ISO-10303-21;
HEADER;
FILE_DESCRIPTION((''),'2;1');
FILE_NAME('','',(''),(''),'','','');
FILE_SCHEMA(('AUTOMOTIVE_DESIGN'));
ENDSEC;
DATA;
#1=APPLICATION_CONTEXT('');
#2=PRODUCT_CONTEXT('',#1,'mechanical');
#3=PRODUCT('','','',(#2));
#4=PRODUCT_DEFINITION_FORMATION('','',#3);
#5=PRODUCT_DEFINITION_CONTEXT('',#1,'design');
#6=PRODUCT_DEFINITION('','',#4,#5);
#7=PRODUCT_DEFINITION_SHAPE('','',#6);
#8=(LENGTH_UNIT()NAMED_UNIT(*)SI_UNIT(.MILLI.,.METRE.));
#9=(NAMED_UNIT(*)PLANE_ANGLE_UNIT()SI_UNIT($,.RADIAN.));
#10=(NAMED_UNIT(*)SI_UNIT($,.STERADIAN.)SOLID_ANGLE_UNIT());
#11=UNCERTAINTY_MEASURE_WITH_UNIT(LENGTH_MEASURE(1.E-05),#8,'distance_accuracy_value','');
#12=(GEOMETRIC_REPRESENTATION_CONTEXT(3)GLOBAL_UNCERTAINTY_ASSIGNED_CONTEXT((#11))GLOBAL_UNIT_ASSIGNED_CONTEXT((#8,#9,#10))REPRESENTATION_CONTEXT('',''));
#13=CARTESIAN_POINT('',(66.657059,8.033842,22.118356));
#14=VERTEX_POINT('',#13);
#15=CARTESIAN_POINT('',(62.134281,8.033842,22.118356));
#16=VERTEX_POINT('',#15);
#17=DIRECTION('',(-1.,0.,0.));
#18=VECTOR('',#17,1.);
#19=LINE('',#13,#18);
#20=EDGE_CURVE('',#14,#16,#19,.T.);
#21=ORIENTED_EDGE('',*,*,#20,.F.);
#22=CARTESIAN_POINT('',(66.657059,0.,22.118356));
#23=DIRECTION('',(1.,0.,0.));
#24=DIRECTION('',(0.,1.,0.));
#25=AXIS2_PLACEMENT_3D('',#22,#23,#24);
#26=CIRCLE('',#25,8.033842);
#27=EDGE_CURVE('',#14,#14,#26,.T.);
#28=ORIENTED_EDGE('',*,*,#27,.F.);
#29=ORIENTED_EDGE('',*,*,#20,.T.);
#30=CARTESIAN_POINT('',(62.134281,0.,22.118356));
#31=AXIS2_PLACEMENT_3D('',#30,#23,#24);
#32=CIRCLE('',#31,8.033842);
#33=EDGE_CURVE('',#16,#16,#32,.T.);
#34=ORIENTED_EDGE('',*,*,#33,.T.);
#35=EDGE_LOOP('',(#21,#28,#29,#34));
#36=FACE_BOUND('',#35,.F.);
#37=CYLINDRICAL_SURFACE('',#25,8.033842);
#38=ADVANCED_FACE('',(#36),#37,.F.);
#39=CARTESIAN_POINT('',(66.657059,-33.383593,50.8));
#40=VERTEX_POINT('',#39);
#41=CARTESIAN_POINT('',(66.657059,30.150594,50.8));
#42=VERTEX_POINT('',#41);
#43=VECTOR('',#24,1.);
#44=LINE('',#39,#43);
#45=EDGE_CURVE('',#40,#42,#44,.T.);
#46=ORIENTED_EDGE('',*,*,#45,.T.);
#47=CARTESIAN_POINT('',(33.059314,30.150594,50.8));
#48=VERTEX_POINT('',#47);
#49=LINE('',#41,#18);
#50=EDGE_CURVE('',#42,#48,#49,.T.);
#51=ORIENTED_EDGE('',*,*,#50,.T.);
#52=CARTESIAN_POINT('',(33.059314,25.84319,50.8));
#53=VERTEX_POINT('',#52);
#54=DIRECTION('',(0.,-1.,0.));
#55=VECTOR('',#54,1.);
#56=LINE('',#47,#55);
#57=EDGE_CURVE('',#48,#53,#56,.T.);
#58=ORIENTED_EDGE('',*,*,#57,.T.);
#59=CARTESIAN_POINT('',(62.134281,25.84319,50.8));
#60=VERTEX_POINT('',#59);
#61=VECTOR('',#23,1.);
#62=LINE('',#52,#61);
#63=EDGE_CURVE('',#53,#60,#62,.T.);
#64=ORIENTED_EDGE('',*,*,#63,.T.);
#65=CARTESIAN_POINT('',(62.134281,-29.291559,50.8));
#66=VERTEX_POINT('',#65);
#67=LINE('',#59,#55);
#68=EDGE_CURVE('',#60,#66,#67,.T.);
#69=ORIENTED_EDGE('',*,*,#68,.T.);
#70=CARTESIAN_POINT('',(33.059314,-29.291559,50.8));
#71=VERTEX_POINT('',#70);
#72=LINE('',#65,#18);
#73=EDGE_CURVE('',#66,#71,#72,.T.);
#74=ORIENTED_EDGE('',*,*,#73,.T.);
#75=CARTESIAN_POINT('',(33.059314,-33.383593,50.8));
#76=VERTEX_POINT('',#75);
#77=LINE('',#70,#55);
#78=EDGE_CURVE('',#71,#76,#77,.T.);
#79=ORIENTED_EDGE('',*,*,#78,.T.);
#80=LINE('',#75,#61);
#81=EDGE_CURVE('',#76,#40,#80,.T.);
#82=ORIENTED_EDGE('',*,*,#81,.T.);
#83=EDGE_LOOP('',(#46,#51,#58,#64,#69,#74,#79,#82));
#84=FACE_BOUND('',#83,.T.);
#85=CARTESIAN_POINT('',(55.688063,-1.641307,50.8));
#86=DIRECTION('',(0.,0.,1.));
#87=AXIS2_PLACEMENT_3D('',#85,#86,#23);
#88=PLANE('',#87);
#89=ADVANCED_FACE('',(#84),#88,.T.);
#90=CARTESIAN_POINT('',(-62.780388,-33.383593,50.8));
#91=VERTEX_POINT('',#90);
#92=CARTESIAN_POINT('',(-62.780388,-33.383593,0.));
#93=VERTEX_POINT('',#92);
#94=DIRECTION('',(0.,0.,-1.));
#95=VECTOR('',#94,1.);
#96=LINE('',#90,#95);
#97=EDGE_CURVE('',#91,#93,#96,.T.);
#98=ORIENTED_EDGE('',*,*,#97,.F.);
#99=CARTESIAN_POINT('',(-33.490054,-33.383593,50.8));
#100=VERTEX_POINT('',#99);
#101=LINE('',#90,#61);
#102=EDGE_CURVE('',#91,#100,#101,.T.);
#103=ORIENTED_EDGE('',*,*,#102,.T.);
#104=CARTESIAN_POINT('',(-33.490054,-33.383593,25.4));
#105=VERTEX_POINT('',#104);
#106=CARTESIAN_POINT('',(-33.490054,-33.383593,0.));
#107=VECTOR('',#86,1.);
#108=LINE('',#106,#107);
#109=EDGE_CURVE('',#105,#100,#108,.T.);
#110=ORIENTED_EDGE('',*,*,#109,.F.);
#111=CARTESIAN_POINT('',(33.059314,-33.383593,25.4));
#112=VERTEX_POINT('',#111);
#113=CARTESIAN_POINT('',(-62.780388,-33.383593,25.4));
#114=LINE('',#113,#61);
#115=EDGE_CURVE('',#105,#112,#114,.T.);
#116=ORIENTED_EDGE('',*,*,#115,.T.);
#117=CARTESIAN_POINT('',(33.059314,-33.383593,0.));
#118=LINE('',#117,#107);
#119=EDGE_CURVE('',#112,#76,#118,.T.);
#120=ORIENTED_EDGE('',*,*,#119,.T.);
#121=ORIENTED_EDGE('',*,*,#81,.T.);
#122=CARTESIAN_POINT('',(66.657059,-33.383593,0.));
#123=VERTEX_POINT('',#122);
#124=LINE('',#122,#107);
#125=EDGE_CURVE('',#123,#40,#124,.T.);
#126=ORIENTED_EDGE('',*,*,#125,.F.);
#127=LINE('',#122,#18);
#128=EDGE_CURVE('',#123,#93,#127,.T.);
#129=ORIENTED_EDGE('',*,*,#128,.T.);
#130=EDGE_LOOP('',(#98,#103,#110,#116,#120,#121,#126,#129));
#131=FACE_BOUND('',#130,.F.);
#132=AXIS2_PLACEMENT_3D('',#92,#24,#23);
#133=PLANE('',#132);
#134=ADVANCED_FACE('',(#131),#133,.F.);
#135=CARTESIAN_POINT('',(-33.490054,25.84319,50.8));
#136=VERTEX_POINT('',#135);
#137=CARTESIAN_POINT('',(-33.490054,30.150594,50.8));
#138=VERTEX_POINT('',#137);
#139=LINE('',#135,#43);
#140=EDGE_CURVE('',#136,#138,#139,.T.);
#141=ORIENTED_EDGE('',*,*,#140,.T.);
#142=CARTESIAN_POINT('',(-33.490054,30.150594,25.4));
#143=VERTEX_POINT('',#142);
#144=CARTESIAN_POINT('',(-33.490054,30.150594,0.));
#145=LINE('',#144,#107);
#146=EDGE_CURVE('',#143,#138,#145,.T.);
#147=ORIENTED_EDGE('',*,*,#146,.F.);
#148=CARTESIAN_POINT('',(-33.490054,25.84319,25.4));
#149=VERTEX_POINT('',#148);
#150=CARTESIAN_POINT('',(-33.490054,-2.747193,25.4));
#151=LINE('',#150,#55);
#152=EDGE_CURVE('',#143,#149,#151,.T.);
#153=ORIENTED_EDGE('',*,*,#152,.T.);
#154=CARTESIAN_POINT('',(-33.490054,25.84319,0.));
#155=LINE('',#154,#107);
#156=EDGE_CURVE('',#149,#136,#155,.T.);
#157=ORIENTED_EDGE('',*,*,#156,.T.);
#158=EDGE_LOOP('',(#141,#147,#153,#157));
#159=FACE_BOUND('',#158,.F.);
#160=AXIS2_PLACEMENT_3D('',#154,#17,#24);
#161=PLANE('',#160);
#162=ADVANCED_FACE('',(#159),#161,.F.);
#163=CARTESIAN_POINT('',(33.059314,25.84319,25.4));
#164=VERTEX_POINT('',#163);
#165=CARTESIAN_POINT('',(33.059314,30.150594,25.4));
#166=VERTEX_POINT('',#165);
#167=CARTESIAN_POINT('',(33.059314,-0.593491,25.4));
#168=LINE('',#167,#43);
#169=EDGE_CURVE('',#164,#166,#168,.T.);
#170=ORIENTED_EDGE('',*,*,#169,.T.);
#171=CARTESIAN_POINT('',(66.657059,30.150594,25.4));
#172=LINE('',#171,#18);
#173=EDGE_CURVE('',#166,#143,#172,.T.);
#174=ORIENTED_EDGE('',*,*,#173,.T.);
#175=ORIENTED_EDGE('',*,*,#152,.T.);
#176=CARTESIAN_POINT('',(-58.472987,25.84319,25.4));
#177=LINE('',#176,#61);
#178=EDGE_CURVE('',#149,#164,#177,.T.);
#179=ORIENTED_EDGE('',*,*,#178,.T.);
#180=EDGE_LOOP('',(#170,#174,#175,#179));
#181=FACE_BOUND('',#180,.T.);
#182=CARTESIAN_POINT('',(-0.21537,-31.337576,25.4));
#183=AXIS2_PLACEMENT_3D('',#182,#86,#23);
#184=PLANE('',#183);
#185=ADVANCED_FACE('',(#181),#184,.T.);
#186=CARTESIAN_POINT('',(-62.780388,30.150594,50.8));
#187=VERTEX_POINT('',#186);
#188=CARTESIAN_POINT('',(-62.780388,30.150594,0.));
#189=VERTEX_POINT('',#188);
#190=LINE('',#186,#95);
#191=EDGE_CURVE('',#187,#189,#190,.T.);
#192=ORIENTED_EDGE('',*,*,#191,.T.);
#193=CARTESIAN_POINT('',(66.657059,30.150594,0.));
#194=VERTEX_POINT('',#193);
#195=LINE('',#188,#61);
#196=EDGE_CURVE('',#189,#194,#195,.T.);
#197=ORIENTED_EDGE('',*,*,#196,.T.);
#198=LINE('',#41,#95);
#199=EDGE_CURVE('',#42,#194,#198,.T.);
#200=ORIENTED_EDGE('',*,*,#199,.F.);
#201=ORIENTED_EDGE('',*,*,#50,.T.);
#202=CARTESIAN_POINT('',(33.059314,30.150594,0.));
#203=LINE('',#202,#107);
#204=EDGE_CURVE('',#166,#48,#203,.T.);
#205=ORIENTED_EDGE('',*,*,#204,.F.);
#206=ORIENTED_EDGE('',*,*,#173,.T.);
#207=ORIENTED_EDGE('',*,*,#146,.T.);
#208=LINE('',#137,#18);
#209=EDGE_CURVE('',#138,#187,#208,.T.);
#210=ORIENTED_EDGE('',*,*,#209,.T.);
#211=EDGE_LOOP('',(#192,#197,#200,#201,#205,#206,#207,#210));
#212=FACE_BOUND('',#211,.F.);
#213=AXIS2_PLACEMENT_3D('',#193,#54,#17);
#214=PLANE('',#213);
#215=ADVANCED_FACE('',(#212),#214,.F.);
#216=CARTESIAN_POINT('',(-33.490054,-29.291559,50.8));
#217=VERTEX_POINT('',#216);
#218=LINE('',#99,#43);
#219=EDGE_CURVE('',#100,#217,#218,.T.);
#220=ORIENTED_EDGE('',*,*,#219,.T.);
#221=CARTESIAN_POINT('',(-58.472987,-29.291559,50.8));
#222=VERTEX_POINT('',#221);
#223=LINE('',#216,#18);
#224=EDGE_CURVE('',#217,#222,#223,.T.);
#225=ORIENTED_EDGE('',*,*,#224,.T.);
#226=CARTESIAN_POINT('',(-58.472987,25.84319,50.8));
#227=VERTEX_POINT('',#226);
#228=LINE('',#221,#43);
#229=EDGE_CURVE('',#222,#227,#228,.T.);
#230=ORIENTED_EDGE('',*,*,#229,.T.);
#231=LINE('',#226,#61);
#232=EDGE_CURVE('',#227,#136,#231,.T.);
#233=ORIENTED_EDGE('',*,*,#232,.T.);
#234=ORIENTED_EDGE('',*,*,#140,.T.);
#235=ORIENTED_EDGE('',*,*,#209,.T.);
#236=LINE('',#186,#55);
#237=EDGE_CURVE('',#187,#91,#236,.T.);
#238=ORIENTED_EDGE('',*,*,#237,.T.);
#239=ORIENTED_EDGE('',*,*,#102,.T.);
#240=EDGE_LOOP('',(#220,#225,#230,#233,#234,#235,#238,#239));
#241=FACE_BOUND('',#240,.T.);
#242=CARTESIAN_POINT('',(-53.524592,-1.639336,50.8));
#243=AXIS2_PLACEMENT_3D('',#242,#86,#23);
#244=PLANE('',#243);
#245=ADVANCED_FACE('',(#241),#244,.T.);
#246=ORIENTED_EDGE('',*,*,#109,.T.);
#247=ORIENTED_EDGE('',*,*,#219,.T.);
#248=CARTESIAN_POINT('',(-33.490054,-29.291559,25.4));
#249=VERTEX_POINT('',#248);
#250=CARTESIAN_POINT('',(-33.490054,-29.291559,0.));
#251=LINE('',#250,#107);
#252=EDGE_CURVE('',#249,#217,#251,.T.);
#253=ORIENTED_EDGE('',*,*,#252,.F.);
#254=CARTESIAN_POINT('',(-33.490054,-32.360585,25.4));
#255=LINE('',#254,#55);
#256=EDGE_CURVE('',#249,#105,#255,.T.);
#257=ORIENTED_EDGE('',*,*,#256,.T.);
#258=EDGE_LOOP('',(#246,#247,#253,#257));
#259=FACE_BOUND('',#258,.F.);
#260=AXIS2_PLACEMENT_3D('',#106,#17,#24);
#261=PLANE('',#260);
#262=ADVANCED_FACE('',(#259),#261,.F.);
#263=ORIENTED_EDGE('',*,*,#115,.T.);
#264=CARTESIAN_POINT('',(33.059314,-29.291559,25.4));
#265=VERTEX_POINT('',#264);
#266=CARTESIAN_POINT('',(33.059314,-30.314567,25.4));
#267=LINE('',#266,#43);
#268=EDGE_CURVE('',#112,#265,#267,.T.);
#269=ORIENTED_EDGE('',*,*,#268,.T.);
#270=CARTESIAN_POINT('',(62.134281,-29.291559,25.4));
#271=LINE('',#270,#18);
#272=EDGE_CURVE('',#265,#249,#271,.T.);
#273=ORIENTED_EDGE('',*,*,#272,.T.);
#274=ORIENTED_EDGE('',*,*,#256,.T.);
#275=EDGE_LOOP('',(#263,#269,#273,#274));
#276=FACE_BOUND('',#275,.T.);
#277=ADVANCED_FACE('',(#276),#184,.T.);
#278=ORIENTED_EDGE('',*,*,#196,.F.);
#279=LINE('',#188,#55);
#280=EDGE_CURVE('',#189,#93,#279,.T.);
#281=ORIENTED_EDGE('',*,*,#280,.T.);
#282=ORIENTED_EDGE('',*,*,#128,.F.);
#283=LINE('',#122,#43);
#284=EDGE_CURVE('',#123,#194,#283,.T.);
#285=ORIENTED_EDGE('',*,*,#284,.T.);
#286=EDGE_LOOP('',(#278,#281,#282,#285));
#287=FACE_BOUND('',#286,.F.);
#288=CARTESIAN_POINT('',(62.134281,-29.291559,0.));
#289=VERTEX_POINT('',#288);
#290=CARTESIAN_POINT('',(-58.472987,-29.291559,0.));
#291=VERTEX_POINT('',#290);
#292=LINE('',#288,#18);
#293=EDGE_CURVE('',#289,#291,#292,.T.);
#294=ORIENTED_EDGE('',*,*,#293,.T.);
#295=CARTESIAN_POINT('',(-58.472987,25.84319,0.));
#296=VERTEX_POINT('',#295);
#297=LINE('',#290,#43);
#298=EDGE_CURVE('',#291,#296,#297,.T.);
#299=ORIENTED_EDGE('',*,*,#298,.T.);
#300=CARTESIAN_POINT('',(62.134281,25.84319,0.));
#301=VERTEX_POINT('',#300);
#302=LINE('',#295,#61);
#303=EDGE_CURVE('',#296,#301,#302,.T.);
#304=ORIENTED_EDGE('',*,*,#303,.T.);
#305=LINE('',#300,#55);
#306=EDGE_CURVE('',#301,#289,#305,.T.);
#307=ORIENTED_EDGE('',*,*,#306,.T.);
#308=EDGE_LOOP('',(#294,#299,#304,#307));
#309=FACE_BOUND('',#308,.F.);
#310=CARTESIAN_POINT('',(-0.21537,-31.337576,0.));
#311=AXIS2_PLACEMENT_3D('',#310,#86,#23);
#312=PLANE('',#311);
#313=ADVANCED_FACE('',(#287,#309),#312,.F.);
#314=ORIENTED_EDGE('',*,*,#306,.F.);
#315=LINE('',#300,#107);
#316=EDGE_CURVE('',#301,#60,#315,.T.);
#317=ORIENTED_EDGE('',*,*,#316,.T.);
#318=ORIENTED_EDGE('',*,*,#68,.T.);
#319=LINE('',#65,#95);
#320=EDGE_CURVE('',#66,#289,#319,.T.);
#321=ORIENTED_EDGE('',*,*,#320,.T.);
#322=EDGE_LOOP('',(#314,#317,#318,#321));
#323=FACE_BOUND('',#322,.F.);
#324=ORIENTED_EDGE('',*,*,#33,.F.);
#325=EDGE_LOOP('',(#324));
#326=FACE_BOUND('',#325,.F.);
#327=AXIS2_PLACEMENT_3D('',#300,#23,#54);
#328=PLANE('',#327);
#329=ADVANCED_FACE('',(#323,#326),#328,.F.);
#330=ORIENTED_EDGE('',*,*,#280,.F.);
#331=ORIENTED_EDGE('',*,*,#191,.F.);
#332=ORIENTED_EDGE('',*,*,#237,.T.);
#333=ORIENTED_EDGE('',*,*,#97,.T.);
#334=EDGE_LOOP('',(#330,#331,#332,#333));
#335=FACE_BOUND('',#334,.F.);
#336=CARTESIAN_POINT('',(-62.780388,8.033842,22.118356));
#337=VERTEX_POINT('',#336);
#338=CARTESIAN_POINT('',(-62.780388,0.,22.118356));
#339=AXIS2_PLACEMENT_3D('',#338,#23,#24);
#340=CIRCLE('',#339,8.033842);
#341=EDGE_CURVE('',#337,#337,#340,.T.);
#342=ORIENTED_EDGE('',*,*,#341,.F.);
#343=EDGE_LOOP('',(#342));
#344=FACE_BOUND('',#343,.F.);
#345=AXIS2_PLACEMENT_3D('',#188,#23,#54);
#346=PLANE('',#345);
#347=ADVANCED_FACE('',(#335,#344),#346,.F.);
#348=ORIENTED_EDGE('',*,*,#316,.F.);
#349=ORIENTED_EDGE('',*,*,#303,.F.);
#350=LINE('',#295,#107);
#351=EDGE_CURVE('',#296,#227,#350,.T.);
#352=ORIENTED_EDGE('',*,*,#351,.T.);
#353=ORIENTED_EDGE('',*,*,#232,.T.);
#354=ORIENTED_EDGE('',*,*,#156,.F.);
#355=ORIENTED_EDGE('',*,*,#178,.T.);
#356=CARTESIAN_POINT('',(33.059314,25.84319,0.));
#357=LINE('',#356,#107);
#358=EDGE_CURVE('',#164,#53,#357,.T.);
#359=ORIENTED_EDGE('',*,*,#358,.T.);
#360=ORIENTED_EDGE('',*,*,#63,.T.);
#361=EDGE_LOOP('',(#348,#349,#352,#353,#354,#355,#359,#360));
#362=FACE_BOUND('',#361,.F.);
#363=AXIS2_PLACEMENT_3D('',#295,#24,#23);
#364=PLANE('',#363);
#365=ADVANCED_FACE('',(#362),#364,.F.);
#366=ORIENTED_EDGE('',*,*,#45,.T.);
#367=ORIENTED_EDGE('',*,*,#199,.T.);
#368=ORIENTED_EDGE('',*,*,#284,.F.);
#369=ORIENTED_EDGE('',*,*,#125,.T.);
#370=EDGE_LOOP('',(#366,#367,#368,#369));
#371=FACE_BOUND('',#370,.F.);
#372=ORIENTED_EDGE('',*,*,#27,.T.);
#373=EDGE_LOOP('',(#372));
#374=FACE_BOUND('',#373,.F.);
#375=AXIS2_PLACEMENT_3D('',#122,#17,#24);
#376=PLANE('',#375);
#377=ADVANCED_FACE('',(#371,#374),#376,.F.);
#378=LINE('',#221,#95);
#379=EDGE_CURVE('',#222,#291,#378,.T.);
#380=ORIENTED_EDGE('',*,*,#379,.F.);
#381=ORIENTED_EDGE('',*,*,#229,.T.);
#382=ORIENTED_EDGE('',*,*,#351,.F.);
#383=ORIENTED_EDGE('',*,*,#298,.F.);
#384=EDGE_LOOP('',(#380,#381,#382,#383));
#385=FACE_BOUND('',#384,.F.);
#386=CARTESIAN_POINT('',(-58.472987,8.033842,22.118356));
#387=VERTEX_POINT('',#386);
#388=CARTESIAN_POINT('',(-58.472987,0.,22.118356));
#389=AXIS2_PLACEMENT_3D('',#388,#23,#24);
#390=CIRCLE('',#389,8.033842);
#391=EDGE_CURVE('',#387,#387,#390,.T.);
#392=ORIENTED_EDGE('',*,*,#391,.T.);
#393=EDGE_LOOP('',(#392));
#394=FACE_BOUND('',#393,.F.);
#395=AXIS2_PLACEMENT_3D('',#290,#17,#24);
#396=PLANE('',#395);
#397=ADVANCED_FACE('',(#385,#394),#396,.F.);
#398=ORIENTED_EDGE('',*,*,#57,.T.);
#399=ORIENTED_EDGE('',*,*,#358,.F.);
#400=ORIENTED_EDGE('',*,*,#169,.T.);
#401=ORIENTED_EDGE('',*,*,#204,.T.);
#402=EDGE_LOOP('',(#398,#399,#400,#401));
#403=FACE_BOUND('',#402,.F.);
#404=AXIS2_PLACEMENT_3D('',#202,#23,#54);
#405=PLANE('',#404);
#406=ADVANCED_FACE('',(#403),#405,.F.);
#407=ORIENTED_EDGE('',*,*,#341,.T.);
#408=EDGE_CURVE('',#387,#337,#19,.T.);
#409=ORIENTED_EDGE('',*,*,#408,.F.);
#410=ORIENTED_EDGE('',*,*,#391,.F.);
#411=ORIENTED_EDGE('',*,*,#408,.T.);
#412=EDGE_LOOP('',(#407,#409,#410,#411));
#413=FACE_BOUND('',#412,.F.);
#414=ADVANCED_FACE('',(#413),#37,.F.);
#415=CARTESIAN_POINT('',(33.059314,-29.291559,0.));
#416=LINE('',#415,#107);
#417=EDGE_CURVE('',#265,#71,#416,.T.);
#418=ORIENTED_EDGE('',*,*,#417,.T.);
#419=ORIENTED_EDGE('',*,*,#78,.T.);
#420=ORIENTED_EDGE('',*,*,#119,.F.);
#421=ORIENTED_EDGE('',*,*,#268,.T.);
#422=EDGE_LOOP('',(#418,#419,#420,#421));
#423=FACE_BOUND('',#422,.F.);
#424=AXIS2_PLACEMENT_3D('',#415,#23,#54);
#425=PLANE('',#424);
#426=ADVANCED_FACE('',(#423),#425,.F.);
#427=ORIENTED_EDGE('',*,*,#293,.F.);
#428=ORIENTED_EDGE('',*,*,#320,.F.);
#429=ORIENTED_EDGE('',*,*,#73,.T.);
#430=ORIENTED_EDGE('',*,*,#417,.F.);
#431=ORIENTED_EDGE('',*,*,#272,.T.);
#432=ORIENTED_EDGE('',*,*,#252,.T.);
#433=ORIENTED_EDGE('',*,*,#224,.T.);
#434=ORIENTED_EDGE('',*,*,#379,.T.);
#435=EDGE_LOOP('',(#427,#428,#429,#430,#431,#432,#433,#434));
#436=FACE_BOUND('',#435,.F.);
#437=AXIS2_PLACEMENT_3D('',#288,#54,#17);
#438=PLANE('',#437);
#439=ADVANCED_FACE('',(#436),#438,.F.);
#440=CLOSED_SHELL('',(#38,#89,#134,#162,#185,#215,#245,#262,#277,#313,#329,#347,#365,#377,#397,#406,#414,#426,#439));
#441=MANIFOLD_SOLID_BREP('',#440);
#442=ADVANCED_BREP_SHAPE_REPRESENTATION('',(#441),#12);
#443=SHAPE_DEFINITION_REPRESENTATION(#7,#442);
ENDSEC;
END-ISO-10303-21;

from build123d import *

# Parameters (mm, degrees)
F0_W     = 66.549368
F0_H     = 4.092034
F0_H_2   = 4.307404
F1_DEPTH = 25.4
F2_DEPTH = 50.8
F3_R     = 8.033842
F4_DEPTH = 131.064


with BuildPart() as f1:
    # F0 (on Top) → F1 (new body)
    with BuildSketch(Plane.XY):
        with Locations((-0.21537, -31.337576)):
            Rectangle(F0_W, F0_H)
        Polygon((-62.780388, 30.150594), (-62.780388, -33.383593), (-33.490054, -33.383593), (-33.490054, -29.291559), (-58.472987, -29.291559), (-58.472987, 25.84319), (-33.490054, 25.84319), (-33.490054, 30.150594), align=None)
        with Locations((-0.21537, 27.996892)):
            Rectangle(F0_W, F0_H_2)
        Polygon((33.059314, -29.291559), (33.059314, -33.383593), (66.657059, -33.383593), (66.657059, 30.150594), (33.059314, 30.150594), (33.059314, 25.84319), (62.134281, 25.84319), (62.134281, -29.291559), align=None)
    extrude(amount=F1_DEPTH)

    # F0 (on Top) → F2 (join)
    with BuildSketch(Plane.XY):
        Polygon((-62.780388, 30.150594), (-62.780388, -33.383593), (-33.490054, -33.383593), (-33.490054, -29.291559), (-58.472987, -29.291559), (-58.472987, 25.84319), (-33.490054, 25.84319), (-33.490054, 30.150594), align=None)
        Polygon((33.059314, -29.291559), (33.059314, -33.383593), (66.657059, -33.383593), (66.657059, 30.150594), (33.059314, 30.150594), (33.059314, 25.84319), (62.134281, 25.84319), (62.134281, -29.291559), align=None)
    extrude(amount=F2_DEPTH)

    # F3 (on face) → F4 (cut)
    with BuildSketch(Plane.YZ.offset(66.657059)):
        with Locations((0, 22.118356)):
            Circle(F3_R)
    extrude(amount=-F4_DEPTH, mode=Mode.SUBTRACT)


solid = f1.part
